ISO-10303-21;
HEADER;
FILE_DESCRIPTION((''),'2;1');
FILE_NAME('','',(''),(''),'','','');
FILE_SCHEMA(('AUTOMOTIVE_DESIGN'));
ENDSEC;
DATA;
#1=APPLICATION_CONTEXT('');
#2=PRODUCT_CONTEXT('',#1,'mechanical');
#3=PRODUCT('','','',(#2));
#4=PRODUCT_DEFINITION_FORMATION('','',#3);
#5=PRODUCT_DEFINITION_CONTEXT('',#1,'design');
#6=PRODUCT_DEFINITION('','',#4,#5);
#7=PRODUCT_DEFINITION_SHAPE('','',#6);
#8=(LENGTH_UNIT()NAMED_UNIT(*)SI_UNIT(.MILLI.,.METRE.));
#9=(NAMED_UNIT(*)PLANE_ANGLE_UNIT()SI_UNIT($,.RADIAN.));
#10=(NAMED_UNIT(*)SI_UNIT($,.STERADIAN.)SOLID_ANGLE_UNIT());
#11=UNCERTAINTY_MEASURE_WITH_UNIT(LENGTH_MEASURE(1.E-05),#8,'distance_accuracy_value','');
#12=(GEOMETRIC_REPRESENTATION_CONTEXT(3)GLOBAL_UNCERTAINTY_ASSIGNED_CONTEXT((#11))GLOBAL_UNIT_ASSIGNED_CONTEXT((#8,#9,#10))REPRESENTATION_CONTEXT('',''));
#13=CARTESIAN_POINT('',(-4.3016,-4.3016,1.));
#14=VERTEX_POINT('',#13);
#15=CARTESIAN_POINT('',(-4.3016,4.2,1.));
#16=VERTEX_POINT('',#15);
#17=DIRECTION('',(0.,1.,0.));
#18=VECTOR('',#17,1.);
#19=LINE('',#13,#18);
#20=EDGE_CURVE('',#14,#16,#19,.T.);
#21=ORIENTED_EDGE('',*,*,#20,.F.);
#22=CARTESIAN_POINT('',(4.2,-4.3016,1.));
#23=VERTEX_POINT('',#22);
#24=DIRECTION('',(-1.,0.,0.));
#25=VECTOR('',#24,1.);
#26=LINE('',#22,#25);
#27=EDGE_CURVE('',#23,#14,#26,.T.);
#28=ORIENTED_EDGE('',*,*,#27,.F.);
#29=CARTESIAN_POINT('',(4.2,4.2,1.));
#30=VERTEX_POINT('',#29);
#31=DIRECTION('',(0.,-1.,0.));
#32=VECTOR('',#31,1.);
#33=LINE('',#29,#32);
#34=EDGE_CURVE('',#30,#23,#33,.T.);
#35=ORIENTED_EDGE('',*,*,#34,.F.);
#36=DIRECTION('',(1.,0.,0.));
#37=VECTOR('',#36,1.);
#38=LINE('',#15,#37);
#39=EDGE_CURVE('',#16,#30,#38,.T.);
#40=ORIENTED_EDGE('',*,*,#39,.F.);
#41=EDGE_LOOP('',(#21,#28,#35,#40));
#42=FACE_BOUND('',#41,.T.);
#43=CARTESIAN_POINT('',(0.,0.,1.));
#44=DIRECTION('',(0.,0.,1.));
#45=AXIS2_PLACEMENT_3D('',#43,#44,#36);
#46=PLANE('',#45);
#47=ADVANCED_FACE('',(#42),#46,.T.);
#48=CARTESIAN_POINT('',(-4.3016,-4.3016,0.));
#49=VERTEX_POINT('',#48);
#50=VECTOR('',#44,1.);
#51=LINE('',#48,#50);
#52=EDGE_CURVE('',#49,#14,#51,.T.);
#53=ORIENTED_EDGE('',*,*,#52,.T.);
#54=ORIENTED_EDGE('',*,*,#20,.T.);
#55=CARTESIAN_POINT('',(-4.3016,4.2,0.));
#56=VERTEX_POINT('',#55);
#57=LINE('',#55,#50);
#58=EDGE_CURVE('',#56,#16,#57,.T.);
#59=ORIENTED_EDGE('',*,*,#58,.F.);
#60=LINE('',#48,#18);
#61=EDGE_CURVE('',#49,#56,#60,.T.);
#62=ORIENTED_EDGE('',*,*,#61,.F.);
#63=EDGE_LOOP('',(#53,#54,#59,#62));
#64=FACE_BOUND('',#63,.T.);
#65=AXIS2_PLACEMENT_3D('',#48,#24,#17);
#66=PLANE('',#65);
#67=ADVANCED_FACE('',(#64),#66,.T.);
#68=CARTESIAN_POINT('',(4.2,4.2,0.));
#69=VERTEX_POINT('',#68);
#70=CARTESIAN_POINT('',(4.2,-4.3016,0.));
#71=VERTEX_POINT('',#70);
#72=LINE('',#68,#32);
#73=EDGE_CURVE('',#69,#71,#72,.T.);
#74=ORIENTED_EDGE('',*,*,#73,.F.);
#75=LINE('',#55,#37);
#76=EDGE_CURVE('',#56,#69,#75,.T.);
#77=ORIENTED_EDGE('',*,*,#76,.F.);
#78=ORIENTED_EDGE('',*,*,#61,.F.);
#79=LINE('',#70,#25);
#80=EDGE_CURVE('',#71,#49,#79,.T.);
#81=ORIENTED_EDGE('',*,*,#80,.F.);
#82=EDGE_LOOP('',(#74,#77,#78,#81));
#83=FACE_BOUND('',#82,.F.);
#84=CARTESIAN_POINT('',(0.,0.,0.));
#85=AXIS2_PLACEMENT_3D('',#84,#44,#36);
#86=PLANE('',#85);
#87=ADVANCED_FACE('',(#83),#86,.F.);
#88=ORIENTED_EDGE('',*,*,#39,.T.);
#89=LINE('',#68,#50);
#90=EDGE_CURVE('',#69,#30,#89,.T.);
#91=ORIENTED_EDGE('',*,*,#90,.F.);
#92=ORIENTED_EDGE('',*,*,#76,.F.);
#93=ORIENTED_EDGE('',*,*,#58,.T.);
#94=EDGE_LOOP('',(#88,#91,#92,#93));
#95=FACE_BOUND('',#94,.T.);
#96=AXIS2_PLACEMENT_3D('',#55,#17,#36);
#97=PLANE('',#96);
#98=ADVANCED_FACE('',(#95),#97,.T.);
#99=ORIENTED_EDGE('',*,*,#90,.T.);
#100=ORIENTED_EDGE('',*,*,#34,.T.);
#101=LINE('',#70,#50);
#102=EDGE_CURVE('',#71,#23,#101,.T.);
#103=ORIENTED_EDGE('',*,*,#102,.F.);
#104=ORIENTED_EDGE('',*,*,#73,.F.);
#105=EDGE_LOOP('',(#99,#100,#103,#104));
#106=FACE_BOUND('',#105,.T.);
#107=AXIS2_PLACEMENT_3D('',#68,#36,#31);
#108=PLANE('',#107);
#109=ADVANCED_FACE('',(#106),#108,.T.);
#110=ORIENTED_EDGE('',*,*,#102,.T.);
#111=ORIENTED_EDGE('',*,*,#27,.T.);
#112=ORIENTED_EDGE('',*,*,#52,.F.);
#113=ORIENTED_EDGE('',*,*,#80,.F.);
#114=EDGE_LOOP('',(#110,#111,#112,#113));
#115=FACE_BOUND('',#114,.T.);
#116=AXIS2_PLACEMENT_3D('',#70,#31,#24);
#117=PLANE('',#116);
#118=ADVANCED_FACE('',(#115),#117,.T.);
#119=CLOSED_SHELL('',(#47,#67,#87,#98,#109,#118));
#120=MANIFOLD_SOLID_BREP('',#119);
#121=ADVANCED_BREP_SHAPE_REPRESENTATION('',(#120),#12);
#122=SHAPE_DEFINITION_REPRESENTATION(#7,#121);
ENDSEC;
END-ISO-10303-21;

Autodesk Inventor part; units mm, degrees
ref_plane "YZ Plane" through (0, 0, 0) normal (1, 0, 0) x (0, 1, 0)
ref_plane "XZ Plane" through (0, 0, 0) normal (0, 1, 0) x (-1, 0, 0)
ref_plane "XY Plane" through (0, 0, 0) normal (0, 0, 1) x (1, 0, 0)
sketch "153CLV-0810, 153CLV-0810_1" plane through (0, 0, 0) normal (0, 0, 1) x (1, 0, 0)
  line L0 (-4.3016, 4.2) -> (4.2, 4.2)
  line L1 (4.2, 4.2) -> (4.2, -4.3016)
  line L2 (4.2, -4.3016) -> (-4.3016, -4.3016)
  line L3 (-4.3016, -4.3016) -> (-4.3016, 4.2)
extrude "Выдавливание1" add sketch "153CLV-0810, 153CLV-0810_1" along normal blind 1
properties part number "153CLV-0810"
